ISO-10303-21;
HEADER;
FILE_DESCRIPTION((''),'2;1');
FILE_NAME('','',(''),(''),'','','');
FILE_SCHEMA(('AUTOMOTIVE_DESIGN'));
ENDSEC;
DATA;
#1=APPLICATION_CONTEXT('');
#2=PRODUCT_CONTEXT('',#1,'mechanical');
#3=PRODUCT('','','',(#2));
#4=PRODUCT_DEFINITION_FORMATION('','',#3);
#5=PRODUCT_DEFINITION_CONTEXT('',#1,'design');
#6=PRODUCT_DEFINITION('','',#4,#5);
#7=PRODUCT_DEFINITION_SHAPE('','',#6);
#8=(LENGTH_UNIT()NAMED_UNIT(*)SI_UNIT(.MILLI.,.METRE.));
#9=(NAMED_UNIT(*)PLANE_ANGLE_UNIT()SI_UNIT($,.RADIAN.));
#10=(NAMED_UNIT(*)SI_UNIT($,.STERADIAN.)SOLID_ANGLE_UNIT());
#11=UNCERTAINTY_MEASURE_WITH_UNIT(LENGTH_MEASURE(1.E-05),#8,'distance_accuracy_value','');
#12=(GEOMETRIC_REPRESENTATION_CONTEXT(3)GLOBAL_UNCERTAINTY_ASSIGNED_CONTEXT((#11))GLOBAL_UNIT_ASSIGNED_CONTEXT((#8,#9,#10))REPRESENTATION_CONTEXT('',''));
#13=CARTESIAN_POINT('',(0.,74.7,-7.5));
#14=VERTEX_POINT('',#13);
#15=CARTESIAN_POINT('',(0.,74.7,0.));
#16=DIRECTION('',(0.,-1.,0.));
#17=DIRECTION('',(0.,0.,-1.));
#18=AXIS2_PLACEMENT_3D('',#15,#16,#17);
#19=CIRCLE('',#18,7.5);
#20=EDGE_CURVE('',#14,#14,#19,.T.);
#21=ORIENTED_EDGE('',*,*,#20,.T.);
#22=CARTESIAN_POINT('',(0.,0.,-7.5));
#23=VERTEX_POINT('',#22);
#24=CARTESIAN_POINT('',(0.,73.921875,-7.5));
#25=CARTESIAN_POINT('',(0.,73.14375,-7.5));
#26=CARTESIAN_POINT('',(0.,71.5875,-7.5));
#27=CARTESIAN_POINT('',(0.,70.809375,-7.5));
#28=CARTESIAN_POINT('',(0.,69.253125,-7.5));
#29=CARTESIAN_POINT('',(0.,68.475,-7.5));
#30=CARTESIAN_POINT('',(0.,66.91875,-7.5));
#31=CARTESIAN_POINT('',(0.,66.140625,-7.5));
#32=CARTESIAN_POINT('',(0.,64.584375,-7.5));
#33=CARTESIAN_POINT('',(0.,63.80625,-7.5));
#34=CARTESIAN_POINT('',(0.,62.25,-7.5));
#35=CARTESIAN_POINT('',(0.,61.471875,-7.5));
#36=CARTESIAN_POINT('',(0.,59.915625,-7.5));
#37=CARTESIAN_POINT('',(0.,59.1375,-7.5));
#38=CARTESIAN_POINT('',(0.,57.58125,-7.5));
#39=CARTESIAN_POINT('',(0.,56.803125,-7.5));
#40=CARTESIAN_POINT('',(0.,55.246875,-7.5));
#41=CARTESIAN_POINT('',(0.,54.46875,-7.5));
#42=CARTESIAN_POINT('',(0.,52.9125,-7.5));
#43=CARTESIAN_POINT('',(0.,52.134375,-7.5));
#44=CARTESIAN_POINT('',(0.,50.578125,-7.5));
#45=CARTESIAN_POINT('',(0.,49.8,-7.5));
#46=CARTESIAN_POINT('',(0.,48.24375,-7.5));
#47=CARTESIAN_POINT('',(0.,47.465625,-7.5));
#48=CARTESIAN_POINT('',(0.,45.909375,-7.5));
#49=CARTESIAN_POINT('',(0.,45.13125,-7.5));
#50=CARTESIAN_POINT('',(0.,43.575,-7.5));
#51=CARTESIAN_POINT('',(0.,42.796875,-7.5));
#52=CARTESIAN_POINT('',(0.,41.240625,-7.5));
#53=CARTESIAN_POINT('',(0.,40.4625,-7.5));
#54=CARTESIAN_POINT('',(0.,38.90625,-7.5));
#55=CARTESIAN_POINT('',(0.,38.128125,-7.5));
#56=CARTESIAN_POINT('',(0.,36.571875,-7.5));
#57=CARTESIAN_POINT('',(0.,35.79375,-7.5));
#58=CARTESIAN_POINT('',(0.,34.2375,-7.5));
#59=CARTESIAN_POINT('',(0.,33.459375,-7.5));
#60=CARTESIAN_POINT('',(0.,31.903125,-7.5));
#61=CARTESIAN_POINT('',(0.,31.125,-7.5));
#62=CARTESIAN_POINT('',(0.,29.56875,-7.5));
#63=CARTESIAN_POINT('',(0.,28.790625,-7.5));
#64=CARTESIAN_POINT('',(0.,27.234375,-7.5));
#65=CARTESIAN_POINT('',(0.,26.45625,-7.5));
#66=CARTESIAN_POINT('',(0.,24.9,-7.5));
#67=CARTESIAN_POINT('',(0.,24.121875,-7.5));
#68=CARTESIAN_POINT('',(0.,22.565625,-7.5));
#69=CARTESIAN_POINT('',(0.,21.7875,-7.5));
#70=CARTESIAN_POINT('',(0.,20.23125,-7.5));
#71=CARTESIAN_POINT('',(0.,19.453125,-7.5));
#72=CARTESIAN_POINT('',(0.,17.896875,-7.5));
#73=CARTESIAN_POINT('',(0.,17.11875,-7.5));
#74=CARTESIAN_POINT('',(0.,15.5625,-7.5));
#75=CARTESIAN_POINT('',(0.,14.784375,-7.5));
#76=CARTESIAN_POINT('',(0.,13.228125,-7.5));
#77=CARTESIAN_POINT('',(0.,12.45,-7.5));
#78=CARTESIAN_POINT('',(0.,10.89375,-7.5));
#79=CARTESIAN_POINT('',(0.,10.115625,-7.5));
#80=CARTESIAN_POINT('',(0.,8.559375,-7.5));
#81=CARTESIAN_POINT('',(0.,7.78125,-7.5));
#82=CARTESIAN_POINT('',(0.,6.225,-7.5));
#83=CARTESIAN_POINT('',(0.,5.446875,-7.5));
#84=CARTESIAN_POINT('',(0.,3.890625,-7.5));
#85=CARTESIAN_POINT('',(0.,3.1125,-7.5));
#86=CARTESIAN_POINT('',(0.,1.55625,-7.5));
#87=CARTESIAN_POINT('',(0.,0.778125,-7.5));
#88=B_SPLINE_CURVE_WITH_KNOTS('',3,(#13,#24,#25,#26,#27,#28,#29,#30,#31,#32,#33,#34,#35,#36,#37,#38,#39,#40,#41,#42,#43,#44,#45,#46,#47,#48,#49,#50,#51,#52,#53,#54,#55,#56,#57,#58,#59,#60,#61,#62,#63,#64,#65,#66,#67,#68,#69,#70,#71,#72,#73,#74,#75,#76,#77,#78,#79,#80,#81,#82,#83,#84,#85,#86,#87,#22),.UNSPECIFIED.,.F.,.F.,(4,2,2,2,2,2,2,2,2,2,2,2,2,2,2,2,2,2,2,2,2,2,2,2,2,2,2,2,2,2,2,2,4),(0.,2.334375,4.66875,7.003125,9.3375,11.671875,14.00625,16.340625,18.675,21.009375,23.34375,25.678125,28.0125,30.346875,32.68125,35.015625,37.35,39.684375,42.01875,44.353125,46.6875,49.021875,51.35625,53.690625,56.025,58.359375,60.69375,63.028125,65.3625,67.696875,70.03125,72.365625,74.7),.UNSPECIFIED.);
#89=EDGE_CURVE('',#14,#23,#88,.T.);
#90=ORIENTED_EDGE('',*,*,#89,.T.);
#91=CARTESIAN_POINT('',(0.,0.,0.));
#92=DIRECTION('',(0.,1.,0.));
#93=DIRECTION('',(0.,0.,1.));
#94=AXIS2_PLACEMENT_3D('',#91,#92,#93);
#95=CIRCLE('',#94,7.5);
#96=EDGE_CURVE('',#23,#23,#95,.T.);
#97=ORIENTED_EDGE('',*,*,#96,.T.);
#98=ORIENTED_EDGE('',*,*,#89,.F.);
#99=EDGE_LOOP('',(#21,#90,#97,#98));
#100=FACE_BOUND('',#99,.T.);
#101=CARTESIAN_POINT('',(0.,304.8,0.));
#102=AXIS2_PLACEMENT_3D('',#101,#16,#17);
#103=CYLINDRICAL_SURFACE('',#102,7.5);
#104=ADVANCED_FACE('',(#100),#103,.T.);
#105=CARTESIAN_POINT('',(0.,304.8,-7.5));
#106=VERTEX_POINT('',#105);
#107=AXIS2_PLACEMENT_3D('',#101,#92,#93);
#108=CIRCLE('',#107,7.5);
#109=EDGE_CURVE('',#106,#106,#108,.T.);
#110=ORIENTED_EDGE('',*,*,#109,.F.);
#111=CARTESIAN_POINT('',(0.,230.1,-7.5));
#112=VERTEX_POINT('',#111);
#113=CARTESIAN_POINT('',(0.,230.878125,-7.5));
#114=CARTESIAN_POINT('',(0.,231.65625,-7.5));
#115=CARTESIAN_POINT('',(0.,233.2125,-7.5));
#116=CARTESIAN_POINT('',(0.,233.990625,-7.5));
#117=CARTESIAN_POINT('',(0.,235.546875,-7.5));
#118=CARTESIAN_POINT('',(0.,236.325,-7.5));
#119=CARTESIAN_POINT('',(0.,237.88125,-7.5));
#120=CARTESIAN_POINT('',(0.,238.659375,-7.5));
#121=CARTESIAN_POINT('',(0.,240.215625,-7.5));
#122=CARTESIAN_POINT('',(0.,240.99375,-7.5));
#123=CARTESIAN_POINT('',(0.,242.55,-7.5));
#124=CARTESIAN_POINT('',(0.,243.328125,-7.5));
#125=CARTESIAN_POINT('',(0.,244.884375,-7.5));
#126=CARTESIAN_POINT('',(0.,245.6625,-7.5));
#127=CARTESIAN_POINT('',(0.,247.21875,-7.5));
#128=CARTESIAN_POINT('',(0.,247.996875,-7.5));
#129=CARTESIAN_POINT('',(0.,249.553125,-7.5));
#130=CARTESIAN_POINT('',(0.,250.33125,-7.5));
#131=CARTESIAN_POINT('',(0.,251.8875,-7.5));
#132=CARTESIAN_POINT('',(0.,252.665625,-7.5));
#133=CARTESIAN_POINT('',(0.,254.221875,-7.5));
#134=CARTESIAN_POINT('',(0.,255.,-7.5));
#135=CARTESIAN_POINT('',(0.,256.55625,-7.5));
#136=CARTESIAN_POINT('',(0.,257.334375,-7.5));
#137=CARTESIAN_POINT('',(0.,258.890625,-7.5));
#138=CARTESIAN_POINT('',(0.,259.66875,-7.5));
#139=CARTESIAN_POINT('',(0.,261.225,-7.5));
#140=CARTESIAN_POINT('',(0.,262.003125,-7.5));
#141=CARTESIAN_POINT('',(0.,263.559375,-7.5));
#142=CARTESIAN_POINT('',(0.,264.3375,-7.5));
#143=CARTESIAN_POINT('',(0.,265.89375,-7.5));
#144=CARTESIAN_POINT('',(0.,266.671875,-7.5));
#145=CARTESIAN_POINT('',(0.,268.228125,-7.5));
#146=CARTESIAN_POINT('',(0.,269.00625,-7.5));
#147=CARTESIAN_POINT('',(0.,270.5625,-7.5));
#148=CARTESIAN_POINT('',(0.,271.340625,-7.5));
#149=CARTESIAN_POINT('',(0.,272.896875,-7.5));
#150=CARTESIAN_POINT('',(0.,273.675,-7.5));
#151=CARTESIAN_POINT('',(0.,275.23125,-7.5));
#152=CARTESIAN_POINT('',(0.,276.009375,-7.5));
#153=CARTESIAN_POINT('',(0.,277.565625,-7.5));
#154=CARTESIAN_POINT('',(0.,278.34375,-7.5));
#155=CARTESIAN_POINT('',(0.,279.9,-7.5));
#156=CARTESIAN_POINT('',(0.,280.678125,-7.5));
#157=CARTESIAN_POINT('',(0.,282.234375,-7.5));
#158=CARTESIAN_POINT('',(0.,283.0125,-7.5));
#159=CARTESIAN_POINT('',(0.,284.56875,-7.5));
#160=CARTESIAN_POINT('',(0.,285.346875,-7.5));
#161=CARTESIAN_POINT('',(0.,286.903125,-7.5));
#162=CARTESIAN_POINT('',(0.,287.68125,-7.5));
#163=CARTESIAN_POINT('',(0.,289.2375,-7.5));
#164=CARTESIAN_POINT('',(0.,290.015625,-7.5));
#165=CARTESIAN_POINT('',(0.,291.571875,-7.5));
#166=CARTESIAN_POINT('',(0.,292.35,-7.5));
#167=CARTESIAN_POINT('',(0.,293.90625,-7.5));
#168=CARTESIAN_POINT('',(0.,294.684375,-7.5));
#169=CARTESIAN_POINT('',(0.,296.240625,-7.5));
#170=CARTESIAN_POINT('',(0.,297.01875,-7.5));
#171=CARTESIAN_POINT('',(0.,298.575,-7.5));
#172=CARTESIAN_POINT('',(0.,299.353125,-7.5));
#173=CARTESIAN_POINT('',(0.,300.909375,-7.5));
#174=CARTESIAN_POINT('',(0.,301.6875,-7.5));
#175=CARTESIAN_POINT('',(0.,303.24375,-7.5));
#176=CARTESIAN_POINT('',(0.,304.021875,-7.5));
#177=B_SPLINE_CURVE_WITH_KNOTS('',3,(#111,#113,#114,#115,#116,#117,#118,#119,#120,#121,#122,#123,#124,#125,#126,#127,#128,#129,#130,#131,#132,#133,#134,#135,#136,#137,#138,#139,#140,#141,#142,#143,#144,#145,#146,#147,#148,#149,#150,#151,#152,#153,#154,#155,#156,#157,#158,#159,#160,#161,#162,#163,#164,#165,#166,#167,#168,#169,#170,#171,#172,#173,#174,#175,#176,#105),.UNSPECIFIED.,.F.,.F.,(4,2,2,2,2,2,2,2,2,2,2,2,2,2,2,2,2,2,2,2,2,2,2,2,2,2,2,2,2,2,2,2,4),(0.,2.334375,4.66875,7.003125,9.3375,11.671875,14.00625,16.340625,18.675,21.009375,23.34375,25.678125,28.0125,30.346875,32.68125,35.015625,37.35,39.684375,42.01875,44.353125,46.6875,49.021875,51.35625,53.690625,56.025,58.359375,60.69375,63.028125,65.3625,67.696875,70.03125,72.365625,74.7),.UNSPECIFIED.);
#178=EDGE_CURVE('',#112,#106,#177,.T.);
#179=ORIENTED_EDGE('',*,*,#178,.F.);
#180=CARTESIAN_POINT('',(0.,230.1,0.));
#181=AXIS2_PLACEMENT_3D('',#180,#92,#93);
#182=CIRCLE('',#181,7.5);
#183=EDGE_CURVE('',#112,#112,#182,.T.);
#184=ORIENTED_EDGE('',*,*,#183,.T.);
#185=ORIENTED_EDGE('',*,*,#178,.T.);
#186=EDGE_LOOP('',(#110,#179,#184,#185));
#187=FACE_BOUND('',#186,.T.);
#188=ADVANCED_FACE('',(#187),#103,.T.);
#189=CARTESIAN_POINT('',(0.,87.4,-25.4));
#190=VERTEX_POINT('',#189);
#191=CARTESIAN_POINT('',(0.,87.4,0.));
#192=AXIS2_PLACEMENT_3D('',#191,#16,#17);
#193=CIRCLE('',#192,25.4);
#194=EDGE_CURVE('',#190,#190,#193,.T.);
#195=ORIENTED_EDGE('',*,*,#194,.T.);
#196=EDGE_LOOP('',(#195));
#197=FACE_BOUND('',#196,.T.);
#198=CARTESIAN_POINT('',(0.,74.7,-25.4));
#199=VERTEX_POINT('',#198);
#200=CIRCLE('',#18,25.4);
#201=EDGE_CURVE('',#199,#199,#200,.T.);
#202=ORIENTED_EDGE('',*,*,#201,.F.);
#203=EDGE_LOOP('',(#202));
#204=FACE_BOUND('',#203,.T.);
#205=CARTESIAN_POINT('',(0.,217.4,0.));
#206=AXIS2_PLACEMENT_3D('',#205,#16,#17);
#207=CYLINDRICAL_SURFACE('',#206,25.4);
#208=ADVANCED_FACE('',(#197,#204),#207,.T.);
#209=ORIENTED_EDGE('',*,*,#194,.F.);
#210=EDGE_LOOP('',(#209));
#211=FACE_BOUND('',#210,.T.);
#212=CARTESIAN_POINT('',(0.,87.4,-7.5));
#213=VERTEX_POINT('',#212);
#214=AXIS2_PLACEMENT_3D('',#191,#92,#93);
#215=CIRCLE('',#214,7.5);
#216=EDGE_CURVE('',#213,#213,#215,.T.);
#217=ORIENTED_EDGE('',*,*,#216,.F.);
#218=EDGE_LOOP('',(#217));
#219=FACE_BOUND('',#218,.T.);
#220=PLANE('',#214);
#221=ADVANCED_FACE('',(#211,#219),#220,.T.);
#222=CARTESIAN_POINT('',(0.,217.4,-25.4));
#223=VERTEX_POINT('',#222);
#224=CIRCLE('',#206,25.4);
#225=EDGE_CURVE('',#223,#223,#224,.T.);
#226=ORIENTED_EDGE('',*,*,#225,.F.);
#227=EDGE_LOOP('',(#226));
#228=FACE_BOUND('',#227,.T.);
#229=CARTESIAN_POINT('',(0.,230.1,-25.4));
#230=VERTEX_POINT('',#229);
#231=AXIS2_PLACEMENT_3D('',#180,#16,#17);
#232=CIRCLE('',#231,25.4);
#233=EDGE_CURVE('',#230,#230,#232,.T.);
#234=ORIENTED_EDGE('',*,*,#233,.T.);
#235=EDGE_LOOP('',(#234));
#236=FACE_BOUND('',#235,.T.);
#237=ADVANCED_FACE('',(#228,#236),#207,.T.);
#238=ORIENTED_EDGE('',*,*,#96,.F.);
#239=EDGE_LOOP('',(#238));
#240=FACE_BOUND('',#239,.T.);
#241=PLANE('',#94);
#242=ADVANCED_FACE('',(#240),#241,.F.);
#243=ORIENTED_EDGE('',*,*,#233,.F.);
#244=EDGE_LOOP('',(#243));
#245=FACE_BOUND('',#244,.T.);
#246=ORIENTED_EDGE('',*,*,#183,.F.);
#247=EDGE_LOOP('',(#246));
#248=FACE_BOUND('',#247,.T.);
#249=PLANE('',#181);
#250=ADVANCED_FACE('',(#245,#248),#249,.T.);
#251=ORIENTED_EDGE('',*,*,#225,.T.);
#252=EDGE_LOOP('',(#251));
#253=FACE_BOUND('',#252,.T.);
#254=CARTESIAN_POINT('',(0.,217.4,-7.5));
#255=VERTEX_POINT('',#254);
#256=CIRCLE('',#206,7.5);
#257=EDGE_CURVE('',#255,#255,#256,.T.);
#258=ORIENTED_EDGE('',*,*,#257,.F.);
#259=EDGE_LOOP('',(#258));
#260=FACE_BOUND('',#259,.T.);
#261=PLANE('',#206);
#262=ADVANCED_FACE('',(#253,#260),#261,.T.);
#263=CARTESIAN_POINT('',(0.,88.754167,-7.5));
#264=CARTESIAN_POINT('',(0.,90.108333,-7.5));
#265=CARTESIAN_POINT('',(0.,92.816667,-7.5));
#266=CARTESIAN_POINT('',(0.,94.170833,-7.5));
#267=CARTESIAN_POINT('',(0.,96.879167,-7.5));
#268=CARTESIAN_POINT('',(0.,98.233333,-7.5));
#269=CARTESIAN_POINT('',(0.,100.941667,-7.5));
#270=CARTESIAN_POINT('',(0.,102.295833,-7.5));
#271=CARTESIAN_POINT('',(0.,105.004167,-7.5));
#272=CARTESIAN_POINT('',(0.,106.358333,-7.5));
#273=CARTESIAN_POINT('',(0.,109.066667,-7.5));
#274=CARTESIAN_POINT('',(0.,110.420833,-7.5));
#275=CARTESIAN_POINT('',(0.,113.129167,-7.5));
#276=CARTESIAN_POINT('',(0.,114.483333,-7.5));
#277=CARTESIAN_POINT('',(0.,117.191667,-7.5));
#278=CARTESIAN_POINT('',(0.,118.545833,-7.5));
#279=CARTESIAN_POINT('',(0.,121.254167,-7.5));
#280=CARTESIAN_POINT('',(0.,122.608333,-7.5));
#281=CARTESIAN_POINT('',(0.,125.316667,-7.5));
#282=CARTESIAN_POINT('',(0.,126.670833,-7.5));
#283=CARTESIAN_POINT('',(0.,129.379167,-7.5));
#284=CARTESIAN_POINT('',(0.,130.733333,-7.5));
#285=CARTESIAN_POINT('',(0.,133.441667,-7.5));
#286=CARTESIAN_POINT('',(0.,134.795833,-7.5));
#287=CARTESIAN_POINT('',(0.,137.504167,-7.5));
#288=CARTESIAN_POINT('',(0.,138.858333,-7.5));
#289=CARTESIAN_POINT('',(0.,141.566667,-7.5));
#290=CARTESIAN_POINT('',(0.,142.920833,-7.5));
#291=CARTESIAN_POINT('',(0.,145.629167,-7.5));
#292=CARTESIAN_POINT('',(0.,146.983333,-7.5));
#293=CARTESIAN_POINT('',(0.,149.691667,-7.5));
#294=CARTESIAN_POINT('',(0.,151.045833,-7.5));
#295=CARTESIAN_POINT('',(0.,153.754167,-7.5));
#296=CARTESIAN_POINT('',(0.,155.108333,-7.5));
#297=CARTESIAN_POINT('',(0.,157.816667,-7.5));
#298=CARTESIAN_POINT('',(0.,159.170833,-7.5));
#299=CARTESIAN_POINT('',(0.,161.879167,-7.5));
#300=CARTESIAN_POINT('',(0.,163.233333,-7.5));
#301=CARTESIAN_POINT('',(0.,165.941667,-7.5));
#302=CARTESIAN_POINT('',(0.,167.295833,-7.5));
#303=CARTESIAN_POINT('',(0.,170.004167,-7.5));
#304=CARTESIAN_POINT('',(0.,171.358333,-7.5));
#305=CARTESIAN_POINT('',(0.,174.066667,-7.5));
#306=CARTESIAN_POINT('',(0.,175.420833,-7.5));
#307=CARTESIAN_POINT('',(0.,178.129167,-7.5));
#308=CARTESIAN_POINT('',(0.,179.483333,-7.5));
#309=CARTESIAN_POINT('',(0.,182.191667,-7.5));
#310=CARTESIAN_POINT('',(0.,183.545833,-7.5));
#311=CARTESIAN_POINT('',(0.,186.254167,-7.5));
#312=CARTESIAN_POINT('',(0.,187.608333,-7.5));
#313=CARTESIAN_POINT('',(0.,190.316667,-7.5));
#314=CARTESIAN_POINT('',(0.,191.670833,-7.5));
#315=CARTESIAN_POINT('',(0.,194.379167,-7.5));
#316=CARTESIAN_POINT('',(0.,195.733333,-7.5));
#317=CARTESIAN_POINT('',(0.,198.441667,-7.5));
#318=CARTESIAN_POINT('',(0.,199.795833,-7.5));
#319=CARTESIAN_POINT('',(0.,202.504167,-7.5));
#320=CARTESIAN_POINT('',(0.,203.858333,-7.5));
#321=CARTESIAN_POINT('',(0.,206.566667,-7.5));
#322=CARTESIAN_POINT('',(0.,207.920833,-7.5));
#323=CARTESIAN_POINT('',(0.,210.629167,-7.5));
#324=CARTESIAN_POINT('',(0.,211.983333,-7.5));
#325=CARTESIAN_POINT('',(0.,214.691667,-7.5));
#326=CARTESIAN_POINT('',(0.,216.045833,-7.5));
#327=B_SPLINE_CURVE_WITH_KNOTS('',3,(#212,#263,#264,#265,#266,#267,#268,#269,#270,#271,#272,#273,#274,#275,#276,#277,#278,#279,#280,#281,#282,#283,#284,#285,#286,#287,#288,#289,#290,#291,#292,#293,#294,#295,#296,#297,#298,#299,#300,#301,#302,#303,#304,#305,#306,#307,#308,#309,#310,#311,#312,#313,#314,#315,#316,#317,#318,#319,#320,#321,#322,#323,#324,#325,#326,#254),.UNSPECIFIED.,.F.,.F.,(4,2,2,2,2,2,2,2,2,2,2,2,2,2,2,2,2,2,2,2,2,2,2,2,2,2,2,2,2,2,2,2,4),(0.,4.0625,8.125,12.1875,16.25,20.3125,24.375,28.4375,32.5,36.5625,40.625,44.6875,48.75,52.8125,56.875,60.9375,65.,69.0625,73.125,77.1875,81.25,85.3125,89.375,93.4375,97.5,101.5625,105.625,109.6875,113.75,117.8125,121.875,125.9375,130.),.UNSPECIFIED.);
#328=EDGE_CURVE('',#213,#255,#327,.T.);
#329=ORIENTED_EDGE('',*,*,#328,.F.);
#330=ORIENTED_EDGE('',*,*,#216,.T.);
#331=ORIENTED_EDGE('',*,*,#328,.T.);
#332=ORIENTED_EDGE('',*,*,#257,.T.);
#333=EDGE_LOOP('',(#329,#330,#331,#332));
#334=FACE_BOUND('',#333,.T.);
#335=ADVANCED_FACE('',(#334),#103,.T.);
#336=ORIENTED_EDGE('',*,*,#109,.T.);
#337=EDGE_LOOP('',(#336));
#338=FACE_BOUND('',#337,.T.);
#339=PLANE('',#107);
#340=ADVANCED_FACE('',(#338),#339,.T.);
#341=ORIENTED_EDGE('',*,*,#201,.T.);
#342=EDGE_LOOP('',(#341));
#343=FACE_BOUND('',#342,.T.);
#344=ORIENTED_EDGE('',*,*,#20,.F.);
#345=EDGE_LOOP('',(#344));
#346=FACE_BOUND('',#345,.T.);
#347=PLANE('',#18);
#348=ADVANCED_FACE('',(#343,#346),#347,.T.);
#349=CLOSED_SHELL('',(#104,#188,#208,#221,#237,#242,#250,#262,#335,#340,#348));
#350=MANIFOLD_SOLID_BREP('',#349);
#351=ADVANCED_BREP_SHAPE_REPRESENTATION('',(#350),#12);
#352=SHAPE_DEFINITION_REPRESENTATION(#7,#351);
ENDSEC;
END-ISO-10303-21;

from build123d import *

# Parameters (mm, degrees)
SKETCH1_R           = 7.5
BOSS_EXTRUDE1_DEPTH = 304.8
SKETCH2_W           = 25.4
SKETCH2_H           = 12.7


with BuildPart() as part:
    # Sketch1 → Boss-Extrude1 (new body)
    with BuildSketch(Plane(origin=(0, 0, 0), x_dir=(1, 0, 0), z_dir=(0, 1, 0))):
        with Locations(Location((0, 0, 0), (0, 0, 90))):
            Circle(SKETCH1_R)
    extrude(amount=BOSS_EXTRUDE1_DEPTH)

    # Sketch2 → Revolve1 (revolve)
    with BuildSketch(Plane.XY, mode=Mode.PRIVATE) as revolve1_sk:
        with Locations((12.7, 223.75)):
            Rectangle(SKETCH2_W, SKETCH2_H)
        with Locations((12.7, 81.05)):
            Rectangle(SKETCH2_W, SKETCH2_H)
    revolve(revolve1_sk.sketch.rotate(Axis((0, 217.4, 0), (0, 1, 0)), 90), axis=Axis((0, 217.4, 0), (0, 1, 0)))


solid = part.part
